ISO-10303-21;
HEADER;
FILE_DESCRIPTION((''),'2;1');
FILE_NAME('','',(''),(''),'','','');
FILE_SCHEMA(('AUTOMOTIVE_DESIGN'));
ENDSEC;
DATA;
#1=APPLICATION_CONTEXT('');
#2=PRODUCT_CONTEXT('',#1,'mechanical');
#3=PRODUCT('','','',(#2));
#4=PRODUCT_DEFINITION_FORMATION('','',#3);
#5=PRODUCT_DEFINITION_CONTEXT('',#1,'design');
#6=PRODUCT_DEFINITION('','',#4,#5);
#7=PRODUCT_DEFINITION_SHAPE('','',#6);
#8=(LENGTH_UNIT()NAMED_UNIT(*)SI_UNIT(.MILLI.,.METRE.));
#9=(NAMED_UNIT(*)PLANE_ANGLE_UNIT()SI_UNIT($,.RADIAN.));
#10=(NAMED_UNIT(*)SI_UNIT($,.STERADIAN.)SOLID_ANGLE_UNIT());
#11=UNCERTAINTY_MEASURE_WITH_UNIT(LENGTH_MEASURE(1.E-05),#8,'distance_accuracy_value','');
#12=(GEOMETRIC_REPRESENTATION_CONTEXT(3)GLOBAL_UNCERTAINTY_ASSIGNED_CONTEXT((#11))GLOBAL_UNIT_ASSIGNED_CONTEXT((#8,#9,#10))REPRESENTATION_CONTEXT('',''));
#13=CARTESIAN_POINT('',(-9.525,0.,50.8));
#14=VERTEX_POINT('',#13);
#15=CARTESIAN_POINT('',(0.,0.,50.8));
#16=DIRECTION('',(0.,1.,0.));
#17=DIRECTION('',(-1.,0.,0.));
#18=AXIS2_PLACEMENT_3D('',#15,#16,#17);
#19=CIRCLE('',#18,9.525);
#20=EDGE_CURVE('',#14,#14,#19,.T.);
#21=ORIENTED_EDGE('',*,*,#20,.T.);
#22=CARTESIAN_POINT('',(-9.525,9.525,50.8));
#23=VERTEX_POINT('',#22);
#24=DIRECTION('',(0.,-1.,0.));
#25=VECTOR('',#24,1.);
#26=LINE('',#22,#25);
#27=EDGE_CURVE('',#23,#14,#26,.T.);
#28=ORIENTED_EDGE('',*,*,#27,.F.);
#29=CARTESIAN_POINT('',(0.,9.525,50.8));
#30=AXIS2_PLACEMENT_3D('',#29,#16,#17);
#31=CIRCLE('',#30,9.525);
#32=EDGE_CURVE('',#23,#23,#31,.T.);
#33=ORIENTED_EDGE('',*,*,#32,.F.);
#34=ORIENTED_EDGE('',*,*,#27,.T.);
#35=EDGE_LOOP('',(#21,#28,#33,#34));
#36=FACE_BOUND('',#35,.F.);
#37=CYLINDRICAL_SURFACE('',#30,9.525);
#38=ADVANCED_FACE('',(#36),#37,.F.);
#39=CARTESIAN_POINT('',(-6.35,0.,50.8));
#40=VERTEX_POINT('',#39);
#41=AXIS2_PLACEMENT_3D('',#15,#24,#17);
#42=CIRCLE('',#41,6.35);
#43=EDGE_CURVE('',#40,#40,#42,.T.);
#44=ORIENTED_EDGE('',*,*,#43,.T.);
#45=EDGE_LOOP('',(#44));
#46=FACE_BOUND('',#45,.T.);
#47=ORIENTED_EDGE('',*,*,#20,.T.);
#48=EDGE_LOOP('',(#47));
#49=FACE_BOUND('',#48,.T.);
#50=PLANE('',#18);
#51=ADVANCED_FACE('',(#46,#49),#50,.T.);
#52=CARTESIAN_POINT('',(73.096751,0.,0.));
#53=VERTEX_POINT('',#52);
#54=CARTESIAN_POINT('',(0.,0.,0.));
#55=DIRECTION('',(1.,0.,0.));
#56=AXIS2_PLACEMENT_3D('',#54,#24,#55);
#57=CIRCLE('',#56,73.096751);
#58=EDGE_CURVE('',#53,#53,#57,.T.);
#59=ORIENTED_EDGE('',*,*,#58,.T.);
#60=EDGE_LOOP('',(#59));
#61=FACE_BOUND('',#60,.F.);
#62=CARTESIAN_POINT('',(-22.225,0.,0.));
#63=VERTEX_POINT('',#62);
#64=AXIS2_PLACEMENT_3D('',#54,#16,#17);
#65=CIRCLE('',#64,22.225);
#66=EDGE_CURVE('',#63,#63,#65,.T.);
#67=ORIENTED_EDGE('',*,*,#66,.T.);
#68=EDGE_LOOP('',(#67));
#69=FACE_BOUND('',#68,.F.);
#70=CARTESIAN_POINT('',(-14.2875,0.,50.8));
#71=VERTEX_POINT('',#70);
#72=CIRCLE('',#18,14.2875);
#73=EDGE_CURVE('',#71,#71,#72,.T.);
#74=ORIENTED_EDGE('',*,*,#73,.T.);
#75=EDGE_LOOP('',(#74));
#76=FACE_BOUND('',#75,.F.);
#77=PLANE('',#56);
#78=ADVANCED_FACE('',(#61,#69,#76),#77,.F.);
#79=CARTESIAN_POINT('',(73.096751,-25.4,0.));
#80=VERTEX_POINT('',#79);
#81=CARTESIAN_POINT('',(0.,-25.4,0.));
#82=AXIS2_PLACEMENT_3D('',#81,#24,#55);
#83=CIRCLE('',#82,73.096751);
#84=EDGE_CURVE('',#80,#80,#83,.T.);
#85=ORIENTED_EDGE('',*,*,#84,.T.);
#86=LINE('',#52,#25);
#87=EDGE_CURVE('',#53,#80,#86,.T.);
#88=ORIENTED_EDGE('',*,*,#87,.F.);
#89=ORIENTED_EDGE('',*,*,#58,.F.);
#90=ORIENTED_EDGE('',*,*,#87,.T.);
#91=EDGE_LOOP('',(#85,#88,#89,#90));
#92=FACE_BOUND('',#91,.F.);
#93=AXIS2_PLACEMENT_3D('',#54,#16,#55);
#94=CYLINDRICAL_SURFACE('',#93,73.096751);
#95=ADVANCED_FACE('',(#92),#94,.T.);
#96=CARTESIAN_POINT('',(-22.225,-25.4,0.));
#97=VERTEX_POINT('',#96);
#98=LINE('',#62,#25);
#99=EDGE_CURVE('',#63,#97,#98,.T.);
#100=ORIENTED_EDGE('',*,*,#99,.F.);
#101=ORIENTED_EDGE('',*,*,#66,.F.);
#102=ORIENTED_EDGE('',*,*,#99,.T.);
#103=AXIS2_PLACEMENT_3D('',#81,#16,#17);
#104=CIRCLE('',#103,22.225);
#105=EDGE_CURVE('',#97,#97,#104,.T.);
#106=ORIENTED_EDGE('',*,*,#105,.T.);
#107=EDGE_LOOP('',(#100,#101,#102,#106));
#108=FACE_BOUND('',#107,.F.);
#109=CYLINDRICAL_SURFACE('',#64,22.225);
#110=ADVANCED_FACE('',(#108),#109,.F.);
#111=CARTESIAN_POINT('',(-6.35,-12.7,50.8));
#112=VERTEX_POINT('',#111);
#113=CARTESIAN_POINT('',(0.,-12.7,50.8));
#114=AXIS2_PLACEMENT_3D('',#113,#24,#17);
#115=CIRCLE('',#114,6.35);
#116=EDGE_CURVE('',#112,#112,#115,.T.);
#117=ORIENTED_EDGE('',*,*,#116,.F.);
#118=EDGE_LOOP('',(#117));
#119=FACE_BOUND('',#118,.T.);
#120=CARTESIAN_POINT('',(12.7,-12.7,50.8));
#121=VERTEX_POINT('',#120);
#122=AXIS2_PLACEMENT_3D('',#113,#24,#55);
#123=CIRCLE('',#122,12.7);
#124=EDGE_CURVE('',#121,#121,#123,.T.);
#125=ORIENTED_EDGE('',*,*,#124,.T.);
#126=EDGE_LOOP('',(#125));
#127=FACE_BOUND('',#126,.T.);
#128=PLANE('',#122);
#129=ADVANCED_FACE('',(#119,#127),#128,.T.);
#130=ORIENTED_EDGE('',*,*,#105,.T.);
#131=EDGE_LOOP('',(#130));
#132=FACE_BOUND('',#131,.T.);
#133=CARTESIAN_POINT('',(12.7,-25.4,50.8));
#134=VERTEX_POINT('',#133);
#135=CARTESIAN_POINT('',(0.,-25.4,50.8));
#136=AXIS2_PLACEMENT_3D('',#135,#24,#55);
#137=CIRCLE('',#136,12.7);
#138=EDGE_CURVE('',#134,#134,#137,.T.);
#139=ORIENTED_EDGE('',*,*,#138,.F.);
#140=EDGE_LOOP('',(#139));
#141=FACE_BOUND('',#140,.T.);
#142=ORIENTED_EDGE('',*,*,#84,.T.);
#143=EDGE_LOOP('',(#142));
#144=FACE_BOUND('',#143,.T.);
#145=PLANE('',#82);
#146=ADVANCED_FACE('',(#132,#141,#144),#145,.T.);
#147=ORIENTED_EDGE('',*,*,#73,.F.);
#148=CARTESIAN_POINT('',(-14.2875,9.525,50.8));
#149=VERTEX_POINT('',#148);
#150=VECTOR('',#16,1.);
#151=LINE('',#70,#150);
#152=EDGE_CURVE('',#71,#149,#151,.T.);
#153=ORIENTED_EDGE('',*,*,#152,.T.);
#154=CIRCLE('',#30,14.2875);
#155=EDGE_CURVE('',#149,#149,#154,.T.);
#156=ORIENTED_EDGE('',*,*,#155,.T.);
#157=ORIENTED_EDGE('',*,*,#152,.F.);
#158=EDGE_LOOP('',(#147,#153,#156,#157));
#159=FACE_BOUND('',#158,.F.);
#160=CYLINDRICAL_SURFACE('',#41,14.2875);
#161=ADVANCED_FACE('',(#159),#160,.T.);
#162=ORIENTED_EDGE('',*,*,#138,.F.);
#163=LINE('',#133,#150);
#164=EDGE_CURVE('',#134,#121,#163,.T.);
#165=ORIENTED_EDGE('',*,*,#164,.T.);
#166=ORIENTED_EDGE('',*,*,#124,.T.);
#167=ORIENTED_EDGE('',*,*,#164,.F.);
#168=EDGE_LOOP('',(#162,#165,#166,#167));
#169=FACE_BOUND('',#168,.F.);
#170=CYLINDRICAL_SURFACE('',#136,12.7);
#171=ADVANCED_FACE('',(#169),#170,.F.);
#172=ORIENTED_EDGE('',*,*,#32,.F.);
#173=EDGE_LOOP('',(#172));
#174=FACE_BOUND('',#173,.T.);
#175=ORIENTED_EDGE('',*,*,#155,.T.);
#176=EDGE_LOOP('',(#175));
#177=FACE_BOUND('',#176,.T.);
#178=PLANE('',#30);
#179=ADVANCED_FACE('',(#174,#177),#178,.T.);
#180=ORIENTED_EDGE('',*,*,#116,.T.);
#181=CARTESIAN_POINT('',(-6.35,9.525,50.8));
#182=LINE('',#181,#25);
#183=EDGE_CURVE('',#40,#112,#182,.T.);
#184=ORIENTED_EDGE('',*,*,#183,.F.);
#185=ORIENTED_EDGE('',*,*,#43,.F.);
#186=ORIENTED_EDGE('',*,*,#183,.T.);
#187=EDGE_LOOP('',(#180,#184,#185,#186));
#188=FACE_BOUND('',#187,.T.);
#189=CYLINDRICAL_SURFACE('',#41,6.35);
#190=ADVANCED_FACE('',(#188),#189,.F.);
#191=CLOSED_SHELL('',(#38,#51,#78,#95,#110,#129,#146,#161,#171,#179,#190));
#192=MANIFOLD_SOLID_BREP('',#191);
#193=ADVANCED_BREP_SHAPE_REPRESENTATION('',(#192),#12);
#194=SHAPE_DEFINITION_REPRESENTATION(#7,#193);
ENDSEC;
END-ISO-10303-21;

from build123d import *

# Parameters (mm, degrees)
F0_R      = 73.096751
F1_DEPTH  = 25.4
F2_R      = 6.35
F3_DEPTH  = 25.4
F4_R      = 14.2875
F4_R_2    = 6.35
F5_DEPTH  = 9.525
F6_R      = 9.525
F7_DEPTH  = 9.525
F8_R      = 22.225
F9_DEPTH  = 25.4
F10_R     = 12.7
F11_DEPTH = 12.7


with BuildPart() as f1:
    # F0 (on Front) → F1 (new body)
    with BuildSketch(Plane.XZ):
        Circle(F0_R)
    extrude(amount=F1_DEPTH)

    # F2 (on face) → F3 (cut)
    with BuildSketch(Plane(origin=(0, 0, 0), x_dir=(-1, 0, 0), z_dir=(0, 1, 0))):
        with Locations((0, 50.8)):
            Circle(F2_R)
    extrude(amount=-F3_DEPTH, mode=Mode.SUBTRACT)

    # F4 (on face) → F5 (join)
    with BuildSketch(Plane(origin=(0, 0, 0), x_dir=(-1, 0, 0), z_dir=(0, 1, 0))):
        with Locations((0, 50.8)):
            Circle(F4_R)
        with Locations((0, 50.8)):
            Circle(F4_R_2, mode=Mode.SUBTRACT)
    extrude(amount=F5_DEPTH)

    # F6 (on face) → F7 (cut)
    with BuildSketch(Plane(origin=(0, 9.525, 0), x_dir=(-1, 0, 0), z_dir=(0, 1, 0))):
        with Locations((0, 50.8)):
            Circle(F6_R)
    extrude(amount=-F7_DEPTH, mode=Mode.SUBTRACT)

    # F8 (on face) → F9 (cut)
    with BuildSketch(Plane(origin=(0, 0, 0), x_dir=(-1, 0, 0), z_dir=(0, 1, 0))):
        Circle(F8_R)
    extrude(amount=-F9_DEPTH, mode=Mode.SUBTRACT)

    # F10 (on face) → F11 (cut)
    with BuildSketch(Plane.XZ.offset(25.4)):
        with Locations((0, 50.8)):
            Circle(F10_R)
    extrude(amount=-F11_DEPTH, mode=Mode.SUBTRACT)


solid = f1.part
